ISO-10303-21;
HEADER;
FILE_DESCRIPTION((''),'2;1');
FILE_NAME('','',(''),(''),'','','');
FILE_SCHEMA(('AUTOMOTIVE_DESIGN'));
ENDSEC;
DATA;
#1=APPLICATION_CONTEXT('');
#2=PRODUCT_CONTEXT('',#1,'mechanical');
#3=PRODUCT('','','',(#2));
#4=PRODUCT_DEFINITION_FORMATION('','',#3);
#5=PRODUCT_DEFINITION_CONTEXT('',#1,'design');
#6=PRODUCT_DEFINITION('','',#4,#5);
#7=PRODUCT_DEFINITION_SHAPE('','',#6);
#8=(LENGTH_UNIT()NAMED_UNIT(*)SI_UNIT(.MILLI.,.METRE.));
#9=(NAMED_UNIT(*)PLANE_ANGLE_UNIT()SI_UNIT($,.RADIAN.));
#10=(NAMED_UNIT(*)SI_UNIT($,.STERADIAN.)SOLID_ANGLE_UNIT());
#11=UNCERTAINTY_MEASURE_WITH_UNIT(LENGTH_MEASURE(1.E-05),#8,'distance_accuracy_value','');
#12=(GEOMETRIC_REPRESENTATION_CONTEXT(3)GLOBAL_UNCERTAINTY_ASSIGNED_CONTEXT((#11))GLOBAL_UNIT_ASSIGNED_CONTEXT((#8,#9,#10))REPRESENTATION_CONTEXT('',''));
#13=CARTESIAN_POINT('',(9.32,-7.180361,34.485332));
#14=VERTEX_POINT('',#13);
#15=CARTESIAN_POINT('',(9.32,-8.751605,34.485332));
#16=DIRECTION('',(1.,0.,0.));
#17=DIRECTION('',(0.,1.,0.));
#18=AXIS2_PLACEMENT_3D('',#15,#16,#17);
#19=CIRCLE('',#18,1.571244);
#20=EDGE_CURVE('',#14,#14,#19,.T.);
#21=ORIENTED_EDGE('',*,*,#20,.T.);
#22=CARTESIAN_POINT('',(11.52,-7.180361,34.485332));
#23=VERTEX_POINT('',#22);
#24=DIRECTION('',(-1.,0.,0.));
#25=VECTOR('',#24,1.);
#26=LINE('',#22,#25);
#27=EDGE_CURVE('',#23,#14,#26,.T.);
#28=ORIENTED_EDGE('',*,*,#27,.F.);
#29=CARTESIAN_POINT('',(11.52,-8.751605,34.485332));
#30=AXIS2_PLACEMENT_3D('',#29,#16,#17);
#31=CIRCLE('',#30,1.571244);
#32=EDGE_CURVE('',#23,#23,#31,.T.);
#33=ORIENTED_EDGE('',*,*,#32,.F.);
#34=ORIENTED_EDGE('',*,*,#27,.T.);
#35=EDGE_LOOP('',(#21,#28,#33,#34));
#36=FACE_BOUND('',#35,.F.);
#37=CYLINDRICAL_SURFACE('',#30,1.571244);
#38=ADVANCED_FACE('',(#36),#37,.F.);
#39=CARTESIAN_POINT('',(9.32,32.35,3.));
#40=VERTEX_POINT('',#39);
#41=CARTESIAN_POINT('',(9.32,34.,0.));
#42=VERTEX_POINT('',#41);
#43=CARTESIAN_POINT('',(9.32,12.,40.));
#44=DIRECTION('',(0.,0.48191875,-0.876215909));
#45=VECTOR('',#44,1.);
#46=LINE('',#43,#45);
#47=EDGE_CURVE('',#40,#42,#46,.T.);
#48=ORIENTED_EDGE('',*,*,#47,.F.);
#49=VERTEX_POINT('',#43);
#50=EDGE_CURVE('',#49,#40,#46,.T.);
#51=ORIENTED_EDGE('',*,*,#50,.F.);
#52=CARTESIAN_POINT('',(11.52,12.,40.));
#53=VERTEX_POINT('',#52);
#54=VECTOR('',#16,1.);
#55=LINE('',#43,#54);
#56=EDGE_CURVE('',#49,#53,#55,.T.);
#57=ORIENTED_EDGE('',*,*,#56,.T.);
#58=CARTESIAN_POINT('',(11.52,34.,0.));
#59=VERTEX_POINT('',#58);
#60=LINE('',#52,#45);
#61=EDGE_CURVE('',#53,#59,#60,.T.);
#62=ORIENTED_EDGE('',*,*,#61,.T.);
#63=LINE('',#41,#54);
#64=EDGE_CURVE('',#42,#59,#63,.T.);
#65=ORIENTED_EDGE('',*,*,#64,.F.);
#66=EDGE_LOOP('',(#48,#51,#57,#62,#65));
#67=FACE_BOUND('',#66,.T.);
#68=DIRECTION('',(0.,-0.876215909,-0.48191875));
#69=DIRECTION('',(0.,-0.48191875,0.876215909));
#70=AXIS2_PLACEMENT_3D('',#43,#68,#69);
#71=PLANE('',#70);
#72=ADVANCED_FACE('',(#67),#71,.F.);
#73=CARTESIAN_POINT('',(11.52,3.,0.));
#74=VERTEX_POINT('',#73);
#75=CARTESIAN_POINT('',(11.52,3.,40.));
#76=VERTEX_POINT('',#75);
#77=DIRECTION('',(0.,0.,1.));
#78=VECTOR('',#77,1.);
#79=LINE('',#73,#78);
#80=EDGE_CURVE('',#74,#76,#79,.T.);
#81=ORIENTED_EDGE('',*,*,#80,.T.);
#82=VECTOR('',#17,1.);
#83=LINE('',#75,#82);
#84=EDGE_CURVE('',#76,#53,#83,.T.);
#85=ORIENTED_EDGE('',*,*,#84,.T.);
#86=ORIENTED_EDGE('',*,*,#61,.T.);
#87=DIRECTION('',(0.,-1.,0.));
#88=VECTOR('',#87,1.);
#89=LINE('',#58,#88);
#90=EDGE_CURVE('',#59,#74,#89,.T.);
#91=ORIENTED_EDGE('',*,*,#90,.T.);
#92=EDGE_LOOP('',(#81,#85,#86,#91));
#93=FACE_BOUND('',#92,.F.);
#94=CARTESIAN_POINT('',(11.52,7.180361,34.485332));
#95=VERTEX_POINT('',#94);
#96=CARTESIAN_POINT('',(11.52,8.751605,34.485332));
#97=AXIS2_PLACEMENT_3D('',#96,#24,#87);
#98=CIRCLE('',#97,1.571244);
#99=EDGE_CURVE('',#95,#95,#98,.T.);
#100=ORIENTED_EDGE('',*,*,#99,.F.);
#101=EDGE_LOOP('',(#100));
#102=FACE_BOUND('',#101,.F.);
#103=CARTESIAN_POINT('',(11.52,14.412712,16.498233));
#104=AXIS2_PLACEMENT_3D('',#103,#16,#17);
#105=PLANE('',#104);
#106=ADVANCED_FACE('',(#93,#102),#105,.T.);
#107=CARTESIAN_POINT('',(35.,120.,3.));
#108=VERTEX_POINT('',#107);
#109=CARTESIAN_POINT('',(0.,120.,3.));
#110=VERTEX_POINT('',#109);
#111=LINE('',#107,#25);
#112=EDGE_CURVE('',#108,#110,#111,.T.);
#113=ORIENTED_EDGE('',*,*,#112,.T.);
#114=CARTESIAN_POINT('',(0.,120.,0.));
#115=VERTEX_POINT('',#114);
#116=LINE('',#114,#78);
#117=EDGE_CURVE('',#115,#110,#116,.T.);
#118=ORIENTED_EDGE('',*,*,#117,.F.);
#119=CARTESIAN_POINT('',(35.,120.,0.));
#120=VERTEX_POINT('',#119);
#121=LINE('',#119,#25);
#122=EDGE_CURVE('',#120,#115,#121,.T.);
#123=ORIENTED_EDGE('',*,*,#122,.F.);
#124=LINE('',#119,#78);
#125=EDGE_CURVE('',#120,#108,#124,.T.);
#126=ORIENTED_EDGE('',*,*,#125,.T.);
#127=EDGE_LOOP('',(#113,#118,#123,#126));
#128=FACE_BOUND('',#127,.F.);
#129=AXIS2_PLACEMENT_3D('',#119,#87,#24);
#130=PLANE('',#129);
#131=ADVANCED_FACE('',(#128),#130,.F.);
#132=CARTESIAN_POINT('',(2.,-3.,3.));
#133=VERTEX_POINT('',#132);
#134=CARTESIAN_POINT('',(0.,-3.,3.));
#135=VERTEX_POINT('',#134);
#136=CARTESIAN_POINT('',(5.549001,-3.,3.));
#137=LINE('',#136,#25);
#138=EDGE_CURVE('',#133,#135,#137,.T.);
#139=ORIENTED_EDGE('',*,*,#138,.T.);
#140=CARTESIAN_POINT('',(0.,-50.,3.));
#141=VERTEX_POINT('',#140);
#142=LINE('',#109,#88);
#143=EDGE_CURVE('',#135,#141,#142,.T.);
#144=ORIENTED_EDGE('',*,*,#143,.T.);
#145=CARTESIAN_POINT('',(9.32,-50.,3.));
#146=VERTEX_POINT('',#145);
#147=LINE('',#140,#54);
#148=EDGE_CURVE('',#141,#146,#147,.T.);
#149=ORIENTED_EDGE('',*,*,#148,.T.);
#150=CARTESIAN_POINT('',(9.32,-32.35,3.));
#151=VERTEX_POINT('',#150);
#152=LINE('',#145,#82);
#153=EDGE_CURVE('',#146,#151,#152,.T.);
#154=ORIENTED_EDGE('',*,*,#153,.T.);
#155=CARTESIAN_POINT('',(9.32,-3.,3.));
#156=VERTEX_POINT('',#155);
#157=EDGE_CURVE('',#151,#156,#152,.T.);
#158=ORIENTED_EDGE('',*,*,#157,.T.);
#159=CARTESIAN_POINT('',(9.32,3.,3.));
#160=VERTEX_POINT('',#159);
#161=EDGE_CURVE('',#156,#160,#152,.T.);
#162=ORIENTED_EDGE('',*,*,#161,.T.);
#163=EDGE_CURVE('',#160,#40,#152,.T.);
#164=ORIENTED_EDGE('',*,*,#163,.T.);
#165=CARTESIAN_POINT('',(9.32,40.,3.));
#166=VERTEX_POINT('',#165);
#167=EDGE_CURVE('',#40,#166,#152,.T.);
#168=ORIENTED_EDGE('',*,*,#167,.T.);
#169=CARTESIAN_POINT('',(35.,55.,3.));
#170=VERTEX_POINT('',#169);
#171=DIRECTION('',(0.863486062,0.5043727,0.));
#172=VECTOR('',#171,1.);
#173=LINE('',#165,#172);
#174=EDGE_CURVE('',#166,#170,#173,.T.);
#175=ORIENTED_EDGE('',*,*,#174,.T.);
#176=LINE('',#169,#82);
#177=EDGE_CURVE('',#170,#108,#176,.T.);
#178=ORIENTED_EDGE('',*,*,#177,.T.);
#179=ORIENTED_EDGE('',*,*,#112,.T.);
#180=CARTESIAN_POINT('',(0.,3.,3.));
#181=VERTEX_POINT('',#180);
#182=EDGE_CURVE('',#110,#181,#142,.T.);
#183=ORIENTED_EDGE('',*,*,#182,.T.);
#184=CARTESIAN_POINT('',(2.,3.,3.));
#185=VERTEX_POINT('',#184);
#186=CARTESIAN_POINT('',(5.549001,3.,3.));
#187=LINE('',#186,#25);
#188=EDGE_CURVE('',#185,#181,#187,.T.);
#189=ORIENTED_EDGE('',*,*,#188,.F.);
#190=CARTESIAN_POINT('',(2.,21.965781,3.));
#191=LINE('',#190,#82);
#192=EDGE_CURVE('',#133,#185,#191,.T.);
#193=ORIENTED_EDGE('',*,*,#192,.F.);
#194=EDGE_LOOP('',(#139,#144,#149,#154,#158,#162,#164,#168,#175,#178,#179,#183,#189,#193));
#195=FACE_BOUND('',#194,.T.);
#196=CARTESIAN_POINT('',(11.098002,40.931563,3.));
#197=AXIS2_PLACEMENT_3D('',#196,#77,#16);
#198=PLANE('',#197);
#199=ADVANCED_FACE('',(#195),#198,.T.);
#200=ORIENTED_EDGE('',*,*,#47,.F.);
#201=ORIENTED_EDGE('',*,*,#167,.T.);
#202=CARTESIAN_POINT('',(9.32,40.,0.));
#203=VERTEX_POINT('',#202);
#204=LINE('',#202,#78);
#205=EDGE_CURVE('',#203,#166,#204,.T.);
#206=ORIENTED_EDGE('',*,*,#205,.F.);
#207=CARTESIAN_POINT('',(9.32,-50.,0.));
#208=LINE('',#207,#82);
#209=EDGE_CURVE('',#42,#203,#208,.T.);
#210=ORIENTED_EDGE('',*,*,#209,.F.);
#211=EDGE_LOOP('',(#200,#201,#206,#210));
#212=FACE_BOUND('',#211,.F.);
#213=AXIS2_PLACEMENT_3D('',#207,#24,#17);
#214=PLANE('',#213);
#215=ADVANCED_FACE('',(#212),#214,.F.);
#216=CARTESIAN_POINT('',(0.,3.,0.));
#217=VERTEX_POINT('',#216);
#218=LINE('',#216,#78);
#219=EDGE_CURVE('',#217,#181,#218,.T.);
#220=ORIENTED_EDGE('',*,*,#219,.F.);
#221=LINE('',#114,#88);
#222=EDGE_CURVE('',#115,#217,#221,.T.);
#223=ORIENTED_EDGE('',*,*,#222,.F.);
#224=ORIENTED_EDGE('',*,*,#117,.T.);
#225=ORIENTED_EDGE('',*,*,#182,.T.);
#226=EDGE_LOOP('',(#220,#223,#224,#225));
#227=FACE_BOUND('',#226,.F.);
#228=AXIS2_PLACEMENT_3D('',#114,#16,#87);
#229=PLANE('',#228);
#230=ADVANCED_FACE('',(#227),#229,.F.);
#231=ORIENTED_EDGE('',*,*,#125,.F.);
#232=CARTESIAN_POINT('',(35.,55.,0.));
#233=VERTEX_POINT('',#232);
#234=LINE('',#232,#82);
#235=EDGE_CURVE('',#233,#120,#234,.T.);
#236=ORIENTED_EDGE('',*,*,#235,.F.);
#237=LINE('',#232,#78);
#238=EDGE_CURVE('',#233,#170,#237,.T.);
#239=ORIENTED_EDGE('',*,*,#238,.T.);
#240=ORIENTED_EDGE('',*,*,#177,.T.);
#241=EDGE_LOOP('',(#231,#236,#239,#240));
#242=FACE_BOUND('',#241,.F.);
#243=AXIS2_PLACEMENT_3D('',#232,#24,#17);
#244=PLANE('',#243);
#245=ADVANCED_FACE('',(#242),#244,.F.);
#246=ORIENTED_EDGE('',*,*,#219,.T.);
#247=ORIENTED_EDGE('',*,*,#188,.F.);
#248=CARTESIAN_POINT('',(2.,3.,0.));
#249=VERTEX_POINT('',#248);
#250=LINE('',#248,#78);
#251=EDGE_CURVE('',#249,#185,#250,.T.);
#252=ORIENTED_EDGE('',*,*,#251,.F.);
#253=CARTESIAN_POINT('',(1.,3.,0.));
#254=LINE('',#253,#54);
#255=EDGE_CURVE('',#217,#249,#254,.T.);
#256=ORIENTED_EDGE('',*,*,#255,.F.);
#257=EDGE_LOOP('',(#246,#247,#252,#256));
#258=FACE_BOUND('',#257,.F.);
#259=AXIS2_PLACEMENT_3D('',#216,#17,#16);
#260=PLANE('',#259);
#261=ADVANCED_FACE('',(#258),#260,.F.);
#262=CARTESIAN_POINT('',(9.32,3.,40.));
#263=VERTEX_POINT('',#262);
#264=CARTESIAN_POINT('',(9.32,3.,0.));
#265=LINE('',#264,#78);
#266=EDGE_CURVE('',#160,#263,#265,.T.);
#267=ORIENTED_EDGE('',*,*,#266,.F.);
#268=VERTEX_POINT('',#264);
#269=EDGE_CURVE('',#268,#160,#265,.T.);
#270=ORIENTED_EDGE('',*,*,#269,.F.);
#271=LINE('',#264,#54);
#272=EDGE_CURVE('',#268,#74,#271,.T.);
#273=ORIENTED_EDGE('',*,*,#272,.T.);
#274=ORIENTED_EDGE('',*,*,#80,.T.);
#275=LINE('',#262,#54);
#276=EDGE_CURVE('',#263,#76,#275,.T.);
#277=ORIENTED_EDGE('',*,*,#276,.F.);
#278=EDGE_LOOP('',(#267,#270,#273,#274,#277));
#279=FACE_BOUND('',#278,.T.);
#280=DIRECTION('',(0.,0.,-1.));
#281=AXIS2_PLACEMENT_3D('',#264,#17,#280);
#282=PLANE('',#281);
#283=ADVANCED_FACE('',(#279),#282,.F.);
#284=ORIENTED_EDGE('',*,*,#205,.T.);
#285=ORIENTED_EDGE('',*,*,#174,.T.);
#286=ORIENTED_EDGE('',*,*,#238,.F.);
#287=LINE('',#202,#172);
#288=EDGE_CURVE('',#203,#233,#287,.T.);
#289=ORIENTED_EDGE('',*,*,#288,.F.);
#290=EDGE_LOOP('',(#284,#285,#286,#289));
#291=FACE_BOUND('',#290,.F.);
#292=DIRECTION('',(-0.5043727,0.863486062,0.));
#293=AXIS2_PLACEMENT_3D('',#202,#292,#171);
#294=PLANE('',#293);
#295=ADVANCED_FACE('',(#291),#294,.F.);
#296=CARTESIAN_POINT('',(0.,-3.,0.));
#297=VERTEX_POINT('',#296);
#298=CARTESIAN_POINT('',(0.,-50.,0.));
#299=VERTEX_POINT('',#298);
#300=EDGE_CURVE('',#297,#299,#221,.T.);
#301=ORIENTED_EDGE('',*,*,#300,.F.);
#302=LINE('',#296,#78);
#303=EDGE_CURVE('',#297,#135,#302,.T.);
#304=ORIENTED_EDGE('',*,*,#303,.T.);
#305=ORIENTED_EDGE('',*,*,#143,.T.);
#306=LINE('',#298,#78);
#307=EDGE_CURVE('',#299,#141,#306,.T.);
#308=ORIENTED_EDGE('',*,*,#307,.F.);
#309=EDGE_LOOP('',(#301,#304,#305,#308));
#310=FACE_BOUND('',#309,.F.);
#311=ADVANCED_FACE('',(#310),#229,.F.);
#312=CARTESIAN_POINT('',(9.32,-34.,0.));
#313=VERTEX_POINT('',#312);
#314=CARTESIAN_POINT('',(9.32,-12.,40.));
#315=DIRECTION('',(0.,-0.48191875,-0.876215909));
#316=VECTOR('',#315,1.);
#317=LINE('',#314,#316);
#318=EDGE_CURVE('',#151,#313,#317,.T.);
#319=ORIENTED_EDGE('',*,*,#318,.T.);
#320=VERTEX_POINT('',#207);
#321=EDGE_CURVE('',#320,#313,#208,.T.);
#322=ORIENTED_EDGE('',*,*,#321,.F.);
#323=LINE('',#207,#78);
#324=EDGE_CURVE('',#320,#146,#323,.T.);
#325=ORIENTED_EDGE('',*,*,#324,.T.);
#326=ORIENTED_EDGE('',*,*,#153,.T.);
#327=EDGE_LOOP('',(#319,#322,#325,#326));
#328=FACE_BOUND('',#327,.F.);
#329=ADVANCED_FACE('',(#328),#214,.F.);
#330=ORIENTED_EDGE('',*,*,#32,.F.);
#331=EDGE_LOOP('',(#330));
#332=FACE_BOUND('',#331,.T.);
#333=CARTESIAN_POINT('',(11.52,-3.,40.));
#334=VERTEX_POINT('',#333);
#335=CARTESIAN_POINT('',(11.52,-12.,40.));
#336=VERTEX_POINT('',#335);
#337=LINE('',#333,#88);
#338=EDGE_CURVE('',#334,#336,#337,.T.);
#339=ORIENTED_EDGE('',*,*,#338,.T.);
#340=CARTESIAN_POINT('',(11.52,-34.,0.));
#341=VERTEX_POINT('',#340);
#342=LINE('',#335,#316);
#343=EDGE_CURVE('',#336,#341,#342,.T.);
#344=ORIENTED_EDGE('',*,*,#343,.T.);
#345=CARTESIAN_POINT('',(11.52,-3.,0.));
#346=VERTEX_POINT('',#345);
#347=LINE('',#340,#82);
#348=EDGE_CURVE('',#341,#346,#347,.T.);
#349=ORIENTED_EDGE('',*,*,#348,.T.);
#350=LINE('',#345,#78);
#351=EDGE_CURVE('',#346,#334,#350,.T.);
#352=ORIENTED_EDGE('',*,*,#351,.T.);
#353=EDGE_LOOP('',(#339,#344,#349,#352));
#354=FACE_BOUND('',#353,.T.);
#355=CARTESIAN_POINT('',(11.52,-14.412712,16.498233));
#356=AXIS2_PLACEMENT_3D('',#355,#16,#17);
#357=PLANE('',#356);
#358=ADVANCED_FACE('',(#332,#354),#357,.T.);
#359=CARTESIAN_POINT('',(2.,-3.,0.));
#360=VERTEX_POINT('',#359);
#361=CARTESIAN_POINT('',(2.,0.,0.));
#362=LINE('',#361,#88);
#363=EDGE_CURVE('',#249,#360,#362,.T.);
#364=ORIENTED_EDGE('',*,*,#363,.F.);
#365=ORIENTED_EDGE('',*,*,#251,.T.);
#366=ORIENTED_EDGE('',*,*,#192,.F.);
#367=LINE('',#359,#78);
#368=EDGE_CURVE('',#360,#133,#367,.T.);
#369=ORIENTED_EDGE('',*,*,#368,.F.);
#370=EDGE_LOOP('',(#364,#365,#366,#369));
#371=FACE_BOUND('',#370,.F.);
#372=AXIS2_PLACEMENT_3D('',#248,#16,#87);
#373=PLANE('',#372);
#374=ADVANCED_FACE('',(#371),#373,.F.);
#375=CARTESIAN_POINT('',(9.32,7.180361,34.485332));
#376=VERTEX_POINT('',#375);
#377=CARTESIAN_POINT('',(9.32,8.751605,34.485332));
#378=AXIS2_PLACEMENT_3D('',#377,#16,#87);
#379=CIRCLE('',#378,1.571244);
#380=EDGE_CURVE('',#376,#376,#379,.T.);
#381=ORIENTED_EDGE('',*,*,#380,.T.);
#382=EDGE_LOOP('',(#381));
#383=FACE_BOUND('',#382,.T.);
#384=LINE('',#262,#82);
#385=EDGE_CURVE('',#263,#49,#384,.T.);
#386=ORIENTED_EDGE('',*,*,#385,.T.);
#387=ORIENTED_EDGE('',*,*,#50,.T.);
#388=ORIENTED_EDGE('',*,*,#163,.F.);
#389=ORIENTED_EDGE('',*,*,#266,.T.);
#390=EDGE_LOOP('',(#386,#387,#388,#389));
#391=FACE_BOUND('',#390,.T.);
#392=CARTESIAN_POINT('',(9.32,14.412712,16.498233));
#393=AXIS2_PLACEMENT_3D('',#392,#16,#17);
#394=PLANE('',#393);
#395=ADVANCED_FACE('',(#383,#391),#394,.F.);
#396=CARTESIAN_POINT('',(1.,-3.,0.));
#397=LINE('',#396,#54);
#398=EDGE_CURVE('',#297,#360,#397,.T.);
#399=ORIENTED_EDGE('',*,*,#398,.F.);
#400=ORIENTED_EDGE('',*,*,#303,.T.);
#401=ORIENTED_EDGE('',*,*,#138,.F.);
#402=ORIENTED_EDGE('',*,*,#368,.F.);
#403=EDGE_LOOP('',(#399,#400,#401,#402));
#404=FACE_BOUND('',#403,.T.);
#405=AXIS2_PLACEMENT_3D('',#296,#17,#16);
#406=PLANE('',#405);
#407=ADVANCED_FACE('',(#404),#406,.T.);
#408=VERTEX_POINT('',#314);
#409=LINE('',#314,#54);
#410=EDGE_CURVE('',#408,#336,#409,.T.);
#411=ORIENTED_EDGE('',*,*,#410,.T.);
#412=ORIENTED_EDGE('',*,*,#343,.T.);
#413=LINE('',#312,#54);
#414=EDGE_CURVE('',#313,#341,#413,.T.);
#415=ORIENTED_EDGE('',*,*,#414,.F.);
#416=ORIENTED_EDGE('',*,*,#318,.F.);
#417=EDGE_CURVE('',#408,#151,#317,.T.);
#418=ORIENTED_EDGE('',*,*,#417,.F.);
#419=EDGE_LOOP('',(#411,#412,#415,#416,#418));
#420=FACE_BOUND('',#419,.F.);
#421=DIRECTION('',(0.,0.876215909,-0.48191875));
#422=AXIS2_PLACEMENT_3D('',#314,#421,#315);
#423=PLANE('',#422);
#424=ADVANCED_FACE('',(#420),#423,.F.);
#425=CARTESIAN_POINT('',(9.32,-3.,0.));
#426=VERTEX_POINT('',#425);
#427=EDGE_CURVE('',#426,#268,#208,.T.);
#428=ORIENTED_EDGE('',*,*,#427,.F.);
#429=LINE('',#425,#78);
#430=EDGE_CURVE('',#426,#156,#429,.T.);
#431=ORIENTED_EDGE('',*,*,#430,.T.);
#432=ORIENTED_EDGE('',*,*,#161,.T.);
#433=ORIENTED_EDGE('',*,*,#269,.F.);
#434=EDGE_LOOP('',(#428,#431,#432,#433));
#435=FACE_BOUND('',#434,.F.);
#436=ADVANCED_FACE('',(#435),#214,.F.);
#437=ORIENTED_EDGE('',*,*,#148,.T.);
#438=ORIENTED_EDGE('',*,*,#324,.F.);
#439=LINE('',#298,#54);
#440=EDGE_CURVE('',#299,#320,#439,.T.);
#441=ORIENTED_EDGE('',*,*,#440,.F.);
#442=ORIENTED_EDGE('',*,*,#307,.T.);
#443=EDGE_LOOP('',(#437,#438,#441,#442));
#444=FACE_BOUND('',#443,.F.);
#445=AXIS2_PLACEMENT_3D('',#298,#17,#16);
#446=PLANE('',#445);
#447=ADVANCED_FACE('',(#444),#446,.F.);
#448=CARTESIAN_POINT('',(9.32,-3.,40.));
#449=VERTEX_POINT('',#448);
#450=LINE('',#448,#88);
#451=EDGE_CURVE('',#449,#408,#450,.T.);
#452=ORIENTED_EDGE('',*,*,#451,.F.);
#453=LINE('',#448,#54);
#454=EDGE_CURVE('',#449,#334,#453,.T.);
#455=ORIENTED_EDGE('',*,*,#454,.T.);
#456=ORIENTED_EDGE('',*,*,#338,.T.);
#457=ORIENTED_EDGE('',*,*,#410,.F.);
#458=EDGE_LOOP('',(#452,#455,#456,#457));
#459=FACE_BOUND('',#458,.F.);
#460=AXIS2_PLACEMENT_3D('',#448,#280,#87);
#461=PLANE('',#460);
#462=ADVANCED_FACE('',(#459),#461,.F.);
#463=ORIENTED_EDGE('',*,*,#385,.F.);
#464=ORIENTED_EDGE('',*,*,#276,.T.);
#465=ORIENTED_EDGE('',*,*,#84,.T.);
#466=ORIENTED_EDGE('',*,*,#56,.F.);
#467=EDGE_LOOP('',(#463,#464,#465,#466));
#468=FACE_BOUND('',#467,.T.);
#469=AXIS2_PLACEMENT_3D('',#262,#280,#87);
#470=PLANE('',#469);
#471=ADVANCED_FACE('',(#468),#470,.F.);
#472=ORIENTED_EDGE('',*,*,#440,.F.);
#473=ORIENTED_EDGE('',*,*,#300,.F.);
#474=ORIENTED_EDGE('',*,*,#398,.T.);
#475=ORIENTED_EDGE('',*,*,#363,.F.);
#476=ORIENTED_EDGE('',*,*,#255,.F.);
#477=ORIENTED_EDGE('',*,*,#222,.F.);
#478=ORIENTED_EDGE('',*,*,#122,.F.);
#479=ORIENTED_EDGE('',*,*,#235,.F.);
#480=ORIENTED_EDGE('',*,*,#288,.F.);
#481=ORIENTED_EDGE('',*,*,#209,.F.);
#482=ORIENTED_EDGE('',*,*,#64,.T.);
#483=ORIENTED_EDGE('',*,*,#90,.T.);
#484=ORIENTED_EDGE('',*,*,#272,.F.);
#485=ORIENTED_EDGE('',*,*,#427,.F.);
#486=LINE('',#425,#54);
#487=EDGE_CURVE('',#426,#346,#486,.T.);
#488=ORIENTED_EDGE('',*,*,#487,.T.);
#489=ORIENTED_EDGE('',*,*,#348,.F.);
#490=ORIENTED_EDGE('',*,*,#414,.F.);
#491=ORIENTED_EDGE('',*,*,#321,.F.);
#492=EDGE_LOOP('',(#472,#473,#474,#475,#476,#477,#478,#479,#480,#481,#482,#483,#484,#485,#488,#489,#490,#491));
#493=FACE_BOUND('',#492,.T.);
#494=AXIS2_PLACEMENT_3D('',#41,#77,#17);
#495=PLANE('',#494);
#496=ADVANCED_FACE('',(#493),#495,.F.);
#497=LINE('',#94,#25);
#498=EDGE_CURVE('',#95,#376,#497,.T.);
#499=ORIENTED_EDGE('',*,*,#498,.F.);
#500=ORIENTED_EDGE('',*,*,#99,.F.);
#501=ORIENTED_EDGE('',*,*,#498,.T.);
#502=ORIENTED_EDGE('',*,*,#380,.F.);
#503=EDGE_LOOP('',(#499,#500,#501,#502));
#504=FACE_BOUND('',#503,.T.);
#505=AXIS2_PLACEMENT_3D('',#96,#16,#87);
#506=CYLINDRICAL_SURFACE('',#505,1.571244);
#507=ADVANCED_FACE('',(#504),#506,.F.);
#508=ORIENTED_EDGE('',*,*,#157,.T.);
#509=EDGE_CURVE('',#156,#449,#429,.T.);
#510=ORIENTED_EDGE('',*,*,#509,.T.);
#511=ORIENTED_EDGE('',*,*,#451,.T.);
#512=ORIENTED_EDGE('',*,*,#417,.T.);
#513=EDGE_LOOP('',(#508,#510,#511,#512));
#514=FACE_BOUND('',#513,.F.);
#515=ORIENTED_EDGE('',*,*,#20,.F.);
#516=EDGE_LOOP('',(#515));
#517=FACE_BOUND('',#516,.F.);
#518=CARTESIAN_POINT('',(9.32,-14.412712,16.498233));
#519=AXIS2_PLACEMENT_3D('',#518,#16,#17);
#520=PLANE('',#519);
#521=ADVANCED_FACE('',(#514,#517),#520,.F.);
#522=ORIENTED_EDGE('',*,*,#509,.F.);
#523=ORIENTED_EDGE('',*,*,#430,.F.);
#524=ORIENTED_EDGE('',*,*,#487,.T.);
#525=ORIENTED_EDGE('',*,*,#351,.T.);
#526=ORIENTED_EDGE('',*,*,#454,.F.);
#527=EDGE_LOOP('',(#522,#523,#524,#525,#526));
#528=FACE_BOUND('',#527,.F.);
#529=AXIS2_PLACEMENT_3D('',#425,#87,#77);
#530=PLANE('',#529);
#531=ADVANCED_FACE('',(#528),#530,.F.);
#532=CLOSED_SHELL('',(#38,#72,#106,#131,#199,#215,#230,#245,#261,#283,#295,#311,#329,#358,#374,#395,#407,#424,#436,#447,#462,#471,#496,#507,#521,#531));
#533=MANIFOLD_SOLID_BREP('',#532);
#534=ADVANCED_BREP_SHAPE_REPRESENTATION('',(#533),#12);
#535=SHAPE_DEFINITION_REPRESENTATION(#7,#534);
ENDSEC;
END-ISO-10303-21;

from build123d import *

# Parameters (mm, degrees)
PAD_DEPTH       = 3
SKETCH001_W     = 2
SKETCH001_H     = 6
POCKET_DEPTH    = 5
PAD001_DEPTH    = 2.2
SKETCH003_R     = 1.571244
POCKET001_DEPTH = 5


with BuildPart() as part:
    # Sketch → Pad (new body)
    with BuildSketch(Plane.XY):
        Polygon((0, -50), (9.32, -50), (9.32, 40), (35, 55), (35, 120), (0, 120), align=None)
    extrude(amount=PAD_DEPTH)

    # Sketch001 (on Face7 of Pad) → Pocket (cut)
    with BuildSketch(Plane(origin=(0, 0, 0), x_dir=(1, 0, 0), z_dir=(0, 0, -1))):
        with Locations((1, 0)):
            Rectangle(SKETCH001_W, SKETCH001_H)
    pocket = extrude(amount=-POCKET_DEPTH, mode=Mode.SUBTRACT)

    # Sketch002 (on Face3 of Pocket) → Pad001 (join)
    with BuildSketch(Plane.YZ.offset(9.32)):
        Polygon((-3, 0), (-3, 40), (-12, 40), (-34, 0), align=None)
    pad001 = extrude(amount=PAD001_DEPTH)

    # Sketch003 (on Face18 of Pad001) → Pocket001 (cut)
    with BuildSketch(Plane.YZ.offset(11.52)):
        with Locations((-8.751605, 34.485332)):
            Circle(SKETCH003_R)
    pocket001 = extrude(amount=-POCKET001_DEPTH, mode=Mode.SUBTRACT)

    # Mirrored: Pocket, Pad001, Pocket001 across XZ
    add(pocket.mirror(Plane.XZ), mode=Mode.SUBTRACT)
    add(pad001.mirror(Plane.XZ))
    add(pocket001.mirror(Plane.XZ), mode=Mode.SUBTRACT)


solid = part.part
